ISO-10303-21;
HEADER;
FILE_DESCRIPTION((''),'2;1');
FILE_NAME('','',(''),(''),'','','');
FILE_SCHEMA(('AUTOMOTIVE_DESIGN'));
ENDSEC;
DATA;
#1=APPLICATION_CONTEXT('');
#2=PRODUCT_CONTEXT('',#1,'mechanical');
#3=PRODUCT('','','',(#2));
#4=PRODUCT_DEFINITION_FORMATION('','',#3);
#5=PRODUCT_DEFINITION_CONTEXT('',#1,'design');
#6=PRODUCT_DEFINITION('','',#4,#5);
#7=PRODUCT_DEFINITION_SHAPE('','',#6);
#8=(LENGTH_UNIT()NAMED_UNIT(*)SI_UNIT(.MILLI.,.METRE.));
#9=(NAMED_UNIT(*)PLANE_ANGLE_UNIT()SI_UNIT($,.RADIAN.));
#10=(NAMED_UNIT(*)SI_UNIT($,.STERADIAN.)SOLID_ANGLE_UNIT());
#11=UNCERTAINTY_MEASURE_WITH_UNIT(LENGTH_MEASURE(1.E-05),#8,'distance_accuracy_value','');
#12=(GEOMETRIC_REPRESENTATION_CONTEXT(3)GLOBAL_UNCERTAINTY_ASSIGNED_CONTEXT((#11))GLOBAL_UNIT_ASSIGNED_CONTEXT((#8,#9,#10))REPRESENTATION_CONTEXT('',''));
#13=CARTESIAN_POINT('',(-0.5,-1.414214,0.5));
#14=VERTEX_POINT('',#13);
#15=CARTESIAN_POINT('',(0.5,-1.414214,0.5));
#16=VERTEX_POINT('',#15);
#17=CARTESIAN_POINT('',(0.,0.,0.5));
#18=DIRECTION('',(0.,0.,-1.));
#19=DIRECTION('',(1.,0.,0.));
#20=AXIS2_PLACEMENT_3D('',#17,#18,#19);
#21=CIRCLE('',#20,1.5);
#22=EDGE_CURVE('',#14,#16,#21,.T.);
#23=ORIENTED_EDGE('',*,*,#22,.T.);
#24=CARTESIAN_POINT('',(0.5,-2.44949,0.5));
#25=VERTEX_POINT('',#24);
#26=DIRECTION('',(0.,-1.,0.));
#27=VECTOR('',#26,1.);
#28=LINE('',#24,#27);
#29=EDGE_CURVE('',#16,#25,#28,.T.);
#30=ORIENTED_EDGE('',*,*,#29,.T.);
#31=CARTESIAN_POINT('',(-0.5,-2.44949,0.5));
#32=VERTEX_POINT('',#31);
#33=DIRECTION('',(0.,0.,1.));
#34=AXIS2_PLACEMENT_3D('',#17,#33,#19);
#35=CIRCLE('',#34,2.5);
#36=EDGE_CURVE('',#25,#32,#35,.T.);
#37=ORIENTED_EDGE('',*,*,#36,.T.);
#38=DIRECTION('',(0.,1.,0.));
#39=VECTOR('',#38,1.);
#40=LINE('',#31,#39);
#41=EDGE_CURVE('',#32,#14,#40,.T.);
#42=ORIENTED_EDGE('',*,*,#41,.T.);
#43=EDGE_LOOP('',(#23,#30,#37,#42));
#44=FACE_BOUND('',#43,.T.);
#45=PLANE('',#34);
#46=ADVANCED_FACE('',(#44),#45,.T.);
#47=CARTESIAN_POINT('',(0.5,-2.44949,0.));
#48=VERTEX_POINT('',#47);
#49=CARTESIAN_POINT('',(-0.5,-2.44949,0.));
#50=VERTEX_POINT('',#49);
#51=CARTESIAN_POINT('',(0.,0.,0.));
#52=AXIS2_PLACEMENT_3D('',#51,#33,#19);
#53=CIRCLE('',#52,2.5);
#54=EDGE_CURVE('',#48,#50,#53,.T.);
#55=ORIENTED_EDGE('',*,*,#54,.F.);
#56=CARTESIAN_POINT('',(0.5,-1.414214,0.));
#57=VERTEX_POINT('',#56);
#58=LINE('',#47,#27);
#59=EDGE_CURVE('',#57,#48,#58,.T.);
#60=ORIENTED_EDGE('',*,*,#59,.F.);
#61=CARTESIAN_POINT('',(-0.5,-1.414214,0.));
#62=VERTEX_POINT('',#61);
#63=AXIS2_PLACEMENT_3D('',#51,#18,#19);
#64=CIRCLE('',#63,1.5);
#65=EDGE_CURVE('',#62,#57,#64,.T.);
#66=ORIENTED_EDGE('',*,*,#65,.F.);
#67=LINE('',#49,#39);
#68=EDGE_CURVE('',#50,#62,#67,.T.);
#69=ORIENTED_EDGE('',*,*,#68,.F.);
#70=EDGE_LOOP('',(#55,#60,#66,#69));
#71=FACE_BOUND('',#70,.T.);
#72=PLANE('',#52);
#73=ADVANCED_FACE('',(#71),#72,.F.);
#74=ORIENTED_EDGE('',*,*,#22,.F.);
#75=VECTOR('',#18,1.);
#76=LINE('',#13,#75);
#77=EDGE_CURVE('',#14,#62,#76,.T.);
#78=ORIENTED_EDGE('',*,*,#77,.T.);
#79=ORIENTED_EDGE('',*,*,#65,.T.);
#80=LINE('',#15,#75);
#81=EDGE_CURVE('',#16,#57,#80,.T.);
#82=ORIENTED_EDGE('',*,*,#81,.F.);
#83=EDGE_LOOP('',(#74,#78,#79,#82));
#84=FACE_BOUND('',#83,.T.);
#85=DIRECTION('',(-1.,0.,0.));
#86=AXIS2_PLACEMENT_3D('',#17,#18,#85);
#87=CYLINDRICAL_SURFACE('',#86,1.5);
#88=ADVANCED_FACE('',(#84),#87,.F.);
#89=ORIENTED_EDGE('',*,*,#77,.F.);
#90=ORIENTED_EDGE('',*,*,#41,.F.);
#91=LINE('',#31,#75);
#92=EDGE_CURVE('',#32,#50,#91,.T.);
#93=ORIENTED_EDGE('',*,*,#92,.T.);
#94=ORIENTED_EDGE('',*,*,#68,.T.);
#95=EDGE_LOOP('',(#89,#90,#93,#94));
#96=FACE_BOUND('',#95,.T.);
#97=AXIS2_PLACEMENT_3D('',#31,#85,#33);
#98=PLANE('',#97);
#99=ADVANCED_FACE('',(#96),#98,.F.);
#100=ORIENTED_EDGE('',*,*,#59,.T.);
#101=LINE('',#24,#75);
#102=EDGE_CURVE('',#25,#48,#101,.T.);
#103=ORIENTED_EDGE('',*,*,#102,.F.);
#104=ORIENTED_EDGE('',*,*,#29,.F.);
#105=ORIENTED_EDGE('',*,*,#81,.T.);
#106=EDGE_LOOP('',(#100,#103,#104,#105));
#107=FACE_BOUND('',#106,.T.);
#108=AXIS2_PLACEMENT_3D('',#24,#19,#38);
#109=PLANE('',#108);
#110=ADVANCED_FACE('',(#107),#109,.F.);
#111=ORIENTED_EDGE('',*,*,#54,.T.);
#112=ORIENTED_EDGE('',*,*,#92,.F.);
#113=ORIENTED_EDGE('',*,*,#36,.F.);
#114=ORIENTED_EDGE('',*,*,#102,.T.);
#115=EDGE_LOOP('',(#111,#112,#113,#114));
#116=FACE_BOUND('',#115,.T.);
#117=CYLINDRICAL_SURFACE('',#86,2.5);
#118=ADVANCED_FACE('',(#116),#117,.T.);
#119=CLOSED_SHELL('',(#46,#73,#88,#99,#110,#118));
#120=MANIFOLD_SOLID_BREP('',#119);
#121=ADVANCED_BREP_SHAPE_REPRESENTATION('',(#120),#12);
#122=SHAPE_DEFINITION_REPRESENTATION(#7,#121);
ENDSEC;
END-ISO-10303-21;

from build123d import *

# Parameters (mm, degrees)
BOSS_EXTRU_1_DEPTH = 0.5


with BuildPart() as part:
    # Esquisse2 → Boss.-Extru.1 (new body)
    with BuildSketch(Plane.XY):
        with BuildLine():
            Line((0.5, -2.449489743), (0.5, -1.414213562))
            ThreePointArc((0.5, -1.414213562), (0, 1.5), (-0.5, -1.414213562))
            Line((-0.5, -1.414213562), (-0.5, -2.449489743))
            ThreePointArc((-0.5, -2.449489743), (0, 2.5), (0.5, -2.449489743))
        make_face()
    extrude(amount=BOSS_EXTRU_1_DEPTH)


solid = part.part
